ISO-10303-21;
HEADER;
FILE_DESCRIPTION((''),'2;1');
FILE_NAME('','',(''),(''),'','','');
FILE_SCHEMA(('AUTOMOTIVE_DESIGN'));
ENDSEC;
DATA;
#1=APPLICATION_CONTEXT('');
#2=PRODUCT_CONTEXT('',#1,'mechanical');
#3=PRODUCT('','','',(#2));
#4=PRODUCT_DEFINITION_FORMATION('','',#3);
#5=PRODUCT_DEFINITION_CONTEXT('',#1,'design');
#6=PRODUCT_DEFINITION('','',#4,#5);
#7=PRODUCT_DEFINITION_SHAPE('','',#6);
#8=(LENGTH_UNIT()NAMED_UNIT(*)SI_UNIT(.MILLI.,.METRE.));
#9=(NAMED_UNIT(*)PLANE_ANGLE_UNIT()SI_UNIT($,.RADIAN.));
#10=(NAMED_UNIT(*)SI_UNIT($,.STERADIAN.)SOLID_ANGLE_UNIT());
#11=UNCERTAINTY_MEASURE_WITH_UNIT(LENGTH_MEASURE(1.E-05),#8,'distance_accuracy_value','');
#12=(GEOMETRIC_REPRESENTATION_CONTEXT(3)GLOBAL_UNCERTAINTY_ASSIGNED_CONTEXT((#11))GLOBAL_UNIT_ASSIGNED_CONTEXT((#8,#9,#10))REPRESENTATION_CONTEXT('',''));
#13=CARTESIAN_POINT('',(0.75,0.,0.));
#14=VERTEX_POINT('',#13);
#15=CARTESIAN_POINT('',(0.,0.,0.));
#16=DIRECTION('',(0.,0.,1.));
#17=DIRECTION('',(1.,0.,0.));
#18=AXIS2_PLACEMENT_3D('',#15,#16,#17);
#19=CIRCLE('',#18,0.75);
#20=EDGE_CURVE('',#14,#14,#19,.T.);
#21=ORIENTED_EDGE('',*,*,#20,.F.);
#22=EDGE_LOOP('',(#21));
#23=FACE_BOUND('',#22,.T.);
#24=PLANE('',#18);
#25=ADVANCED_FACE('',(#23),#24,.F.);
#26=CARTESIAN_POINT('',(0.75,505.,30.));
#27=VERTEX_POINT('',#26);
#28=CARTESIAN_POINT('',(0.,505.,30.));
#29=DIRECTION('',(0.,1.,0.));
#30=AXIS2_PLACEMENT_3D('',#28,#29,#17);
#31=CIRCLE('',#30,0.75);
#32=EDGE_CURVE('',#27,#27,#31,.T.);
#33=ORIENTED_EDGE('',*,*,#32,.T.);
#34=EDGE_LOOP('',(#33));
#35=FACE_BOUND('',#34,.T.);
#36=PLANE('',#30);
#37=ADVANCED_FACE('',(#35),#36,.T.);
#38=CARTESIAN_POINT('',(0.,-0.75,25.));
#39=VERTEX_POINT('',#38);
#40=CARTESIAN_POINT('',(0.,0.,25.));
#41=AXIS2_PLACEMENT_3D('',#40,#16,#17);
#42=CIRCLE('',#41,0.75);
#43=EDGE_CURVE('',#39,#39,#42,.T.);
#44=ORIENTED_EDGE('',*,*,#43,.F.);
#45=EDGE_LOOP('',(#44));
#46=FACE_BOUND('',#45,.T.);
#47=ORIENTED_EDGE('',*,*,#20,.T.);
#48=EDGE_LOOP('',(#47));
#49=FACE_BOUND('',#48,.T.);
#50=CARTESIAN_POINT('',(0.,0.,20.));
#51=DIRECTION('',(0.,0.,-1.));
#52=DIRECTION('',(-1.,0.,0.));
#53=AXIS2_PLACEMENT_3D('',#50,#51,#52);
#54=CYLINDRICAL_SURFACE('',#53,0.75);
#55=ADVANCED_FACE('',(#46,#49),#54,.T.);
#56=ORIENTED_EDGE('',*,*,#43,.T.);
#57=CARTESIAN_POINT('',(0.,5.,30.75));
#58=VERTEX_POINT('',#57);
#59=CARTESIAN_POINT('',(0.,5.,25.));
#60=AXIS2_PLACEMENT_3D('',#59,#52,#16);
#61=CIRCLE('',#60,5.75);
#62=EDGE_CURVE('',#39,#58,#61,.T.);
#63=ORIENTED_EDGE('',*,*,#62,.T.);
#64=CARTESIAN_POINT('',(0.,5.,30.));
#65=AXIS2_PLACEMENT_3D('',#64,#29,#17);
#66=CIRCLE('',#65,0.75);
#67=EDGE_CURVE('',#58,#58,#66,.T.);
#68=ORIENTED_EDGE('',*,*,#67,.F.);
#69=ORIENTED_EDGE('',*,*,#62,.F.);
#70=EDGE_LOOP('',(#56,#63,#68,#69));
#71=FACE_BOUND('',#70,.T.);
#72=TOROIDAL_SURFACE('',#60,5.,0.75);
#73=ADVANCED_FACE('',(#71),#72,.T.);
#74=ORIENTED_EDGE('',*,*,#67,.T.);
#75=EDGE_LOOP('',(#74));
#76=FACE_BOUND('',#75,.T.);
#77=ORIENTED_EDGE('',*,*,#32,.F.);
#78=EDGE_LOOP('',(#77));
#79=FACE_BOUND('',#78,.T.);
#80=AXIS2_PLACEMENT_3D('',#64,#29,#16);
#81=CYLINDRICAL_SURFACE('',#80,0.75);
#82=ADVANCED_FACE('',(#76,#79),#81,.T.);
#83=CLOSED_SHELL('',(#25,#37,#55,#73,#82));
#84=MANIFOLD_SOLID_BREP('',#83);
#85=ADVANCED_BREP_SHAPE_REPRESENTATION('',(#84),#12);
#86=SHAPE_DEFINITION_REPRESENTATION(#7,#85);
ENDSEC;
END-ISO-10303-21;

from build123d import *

# Parameters (mm, degrees)
SKETCH_1_R      = 0.75
EXTRUDE_1_DEPTH = 20
SKETCH_2_R      = 0.75


with BuildPart() as part:
    # ｽｹｯﾁ1 → ﾎﾞｽ - 押し出し1 (new body)
    with BuildSketch(Plane.XY):
        Circle(SKETCH_1_R)
    extrude(amount=EXTRUDE_1_DEPTH)

    # ｽｲｰﾌﾟ1: sweep along a path in ｽｹｯﾁ3
    with BuildLine(Plane(origin=(0, 0, 0), x_dir=(0, 0, -1), z_dir=(1, 0, 0))) as sweep_1_path:
        Line((-20, 0), (-25, 0))
        ThreePointArc((-25, 0), (-28.535533906, 1.464466094), (-30, 5))
        Line((-30, 5), (-30, 505))
    # ｽｹｯﾁ2 → ｽｲｰﾌﾟ1 (sweep)
    with BuildSketch(Plane.XY.offset(20)):
        Circle(SKETCH_2_R)
    sweep(path=sweep_1_path.line)


solid = part.part
